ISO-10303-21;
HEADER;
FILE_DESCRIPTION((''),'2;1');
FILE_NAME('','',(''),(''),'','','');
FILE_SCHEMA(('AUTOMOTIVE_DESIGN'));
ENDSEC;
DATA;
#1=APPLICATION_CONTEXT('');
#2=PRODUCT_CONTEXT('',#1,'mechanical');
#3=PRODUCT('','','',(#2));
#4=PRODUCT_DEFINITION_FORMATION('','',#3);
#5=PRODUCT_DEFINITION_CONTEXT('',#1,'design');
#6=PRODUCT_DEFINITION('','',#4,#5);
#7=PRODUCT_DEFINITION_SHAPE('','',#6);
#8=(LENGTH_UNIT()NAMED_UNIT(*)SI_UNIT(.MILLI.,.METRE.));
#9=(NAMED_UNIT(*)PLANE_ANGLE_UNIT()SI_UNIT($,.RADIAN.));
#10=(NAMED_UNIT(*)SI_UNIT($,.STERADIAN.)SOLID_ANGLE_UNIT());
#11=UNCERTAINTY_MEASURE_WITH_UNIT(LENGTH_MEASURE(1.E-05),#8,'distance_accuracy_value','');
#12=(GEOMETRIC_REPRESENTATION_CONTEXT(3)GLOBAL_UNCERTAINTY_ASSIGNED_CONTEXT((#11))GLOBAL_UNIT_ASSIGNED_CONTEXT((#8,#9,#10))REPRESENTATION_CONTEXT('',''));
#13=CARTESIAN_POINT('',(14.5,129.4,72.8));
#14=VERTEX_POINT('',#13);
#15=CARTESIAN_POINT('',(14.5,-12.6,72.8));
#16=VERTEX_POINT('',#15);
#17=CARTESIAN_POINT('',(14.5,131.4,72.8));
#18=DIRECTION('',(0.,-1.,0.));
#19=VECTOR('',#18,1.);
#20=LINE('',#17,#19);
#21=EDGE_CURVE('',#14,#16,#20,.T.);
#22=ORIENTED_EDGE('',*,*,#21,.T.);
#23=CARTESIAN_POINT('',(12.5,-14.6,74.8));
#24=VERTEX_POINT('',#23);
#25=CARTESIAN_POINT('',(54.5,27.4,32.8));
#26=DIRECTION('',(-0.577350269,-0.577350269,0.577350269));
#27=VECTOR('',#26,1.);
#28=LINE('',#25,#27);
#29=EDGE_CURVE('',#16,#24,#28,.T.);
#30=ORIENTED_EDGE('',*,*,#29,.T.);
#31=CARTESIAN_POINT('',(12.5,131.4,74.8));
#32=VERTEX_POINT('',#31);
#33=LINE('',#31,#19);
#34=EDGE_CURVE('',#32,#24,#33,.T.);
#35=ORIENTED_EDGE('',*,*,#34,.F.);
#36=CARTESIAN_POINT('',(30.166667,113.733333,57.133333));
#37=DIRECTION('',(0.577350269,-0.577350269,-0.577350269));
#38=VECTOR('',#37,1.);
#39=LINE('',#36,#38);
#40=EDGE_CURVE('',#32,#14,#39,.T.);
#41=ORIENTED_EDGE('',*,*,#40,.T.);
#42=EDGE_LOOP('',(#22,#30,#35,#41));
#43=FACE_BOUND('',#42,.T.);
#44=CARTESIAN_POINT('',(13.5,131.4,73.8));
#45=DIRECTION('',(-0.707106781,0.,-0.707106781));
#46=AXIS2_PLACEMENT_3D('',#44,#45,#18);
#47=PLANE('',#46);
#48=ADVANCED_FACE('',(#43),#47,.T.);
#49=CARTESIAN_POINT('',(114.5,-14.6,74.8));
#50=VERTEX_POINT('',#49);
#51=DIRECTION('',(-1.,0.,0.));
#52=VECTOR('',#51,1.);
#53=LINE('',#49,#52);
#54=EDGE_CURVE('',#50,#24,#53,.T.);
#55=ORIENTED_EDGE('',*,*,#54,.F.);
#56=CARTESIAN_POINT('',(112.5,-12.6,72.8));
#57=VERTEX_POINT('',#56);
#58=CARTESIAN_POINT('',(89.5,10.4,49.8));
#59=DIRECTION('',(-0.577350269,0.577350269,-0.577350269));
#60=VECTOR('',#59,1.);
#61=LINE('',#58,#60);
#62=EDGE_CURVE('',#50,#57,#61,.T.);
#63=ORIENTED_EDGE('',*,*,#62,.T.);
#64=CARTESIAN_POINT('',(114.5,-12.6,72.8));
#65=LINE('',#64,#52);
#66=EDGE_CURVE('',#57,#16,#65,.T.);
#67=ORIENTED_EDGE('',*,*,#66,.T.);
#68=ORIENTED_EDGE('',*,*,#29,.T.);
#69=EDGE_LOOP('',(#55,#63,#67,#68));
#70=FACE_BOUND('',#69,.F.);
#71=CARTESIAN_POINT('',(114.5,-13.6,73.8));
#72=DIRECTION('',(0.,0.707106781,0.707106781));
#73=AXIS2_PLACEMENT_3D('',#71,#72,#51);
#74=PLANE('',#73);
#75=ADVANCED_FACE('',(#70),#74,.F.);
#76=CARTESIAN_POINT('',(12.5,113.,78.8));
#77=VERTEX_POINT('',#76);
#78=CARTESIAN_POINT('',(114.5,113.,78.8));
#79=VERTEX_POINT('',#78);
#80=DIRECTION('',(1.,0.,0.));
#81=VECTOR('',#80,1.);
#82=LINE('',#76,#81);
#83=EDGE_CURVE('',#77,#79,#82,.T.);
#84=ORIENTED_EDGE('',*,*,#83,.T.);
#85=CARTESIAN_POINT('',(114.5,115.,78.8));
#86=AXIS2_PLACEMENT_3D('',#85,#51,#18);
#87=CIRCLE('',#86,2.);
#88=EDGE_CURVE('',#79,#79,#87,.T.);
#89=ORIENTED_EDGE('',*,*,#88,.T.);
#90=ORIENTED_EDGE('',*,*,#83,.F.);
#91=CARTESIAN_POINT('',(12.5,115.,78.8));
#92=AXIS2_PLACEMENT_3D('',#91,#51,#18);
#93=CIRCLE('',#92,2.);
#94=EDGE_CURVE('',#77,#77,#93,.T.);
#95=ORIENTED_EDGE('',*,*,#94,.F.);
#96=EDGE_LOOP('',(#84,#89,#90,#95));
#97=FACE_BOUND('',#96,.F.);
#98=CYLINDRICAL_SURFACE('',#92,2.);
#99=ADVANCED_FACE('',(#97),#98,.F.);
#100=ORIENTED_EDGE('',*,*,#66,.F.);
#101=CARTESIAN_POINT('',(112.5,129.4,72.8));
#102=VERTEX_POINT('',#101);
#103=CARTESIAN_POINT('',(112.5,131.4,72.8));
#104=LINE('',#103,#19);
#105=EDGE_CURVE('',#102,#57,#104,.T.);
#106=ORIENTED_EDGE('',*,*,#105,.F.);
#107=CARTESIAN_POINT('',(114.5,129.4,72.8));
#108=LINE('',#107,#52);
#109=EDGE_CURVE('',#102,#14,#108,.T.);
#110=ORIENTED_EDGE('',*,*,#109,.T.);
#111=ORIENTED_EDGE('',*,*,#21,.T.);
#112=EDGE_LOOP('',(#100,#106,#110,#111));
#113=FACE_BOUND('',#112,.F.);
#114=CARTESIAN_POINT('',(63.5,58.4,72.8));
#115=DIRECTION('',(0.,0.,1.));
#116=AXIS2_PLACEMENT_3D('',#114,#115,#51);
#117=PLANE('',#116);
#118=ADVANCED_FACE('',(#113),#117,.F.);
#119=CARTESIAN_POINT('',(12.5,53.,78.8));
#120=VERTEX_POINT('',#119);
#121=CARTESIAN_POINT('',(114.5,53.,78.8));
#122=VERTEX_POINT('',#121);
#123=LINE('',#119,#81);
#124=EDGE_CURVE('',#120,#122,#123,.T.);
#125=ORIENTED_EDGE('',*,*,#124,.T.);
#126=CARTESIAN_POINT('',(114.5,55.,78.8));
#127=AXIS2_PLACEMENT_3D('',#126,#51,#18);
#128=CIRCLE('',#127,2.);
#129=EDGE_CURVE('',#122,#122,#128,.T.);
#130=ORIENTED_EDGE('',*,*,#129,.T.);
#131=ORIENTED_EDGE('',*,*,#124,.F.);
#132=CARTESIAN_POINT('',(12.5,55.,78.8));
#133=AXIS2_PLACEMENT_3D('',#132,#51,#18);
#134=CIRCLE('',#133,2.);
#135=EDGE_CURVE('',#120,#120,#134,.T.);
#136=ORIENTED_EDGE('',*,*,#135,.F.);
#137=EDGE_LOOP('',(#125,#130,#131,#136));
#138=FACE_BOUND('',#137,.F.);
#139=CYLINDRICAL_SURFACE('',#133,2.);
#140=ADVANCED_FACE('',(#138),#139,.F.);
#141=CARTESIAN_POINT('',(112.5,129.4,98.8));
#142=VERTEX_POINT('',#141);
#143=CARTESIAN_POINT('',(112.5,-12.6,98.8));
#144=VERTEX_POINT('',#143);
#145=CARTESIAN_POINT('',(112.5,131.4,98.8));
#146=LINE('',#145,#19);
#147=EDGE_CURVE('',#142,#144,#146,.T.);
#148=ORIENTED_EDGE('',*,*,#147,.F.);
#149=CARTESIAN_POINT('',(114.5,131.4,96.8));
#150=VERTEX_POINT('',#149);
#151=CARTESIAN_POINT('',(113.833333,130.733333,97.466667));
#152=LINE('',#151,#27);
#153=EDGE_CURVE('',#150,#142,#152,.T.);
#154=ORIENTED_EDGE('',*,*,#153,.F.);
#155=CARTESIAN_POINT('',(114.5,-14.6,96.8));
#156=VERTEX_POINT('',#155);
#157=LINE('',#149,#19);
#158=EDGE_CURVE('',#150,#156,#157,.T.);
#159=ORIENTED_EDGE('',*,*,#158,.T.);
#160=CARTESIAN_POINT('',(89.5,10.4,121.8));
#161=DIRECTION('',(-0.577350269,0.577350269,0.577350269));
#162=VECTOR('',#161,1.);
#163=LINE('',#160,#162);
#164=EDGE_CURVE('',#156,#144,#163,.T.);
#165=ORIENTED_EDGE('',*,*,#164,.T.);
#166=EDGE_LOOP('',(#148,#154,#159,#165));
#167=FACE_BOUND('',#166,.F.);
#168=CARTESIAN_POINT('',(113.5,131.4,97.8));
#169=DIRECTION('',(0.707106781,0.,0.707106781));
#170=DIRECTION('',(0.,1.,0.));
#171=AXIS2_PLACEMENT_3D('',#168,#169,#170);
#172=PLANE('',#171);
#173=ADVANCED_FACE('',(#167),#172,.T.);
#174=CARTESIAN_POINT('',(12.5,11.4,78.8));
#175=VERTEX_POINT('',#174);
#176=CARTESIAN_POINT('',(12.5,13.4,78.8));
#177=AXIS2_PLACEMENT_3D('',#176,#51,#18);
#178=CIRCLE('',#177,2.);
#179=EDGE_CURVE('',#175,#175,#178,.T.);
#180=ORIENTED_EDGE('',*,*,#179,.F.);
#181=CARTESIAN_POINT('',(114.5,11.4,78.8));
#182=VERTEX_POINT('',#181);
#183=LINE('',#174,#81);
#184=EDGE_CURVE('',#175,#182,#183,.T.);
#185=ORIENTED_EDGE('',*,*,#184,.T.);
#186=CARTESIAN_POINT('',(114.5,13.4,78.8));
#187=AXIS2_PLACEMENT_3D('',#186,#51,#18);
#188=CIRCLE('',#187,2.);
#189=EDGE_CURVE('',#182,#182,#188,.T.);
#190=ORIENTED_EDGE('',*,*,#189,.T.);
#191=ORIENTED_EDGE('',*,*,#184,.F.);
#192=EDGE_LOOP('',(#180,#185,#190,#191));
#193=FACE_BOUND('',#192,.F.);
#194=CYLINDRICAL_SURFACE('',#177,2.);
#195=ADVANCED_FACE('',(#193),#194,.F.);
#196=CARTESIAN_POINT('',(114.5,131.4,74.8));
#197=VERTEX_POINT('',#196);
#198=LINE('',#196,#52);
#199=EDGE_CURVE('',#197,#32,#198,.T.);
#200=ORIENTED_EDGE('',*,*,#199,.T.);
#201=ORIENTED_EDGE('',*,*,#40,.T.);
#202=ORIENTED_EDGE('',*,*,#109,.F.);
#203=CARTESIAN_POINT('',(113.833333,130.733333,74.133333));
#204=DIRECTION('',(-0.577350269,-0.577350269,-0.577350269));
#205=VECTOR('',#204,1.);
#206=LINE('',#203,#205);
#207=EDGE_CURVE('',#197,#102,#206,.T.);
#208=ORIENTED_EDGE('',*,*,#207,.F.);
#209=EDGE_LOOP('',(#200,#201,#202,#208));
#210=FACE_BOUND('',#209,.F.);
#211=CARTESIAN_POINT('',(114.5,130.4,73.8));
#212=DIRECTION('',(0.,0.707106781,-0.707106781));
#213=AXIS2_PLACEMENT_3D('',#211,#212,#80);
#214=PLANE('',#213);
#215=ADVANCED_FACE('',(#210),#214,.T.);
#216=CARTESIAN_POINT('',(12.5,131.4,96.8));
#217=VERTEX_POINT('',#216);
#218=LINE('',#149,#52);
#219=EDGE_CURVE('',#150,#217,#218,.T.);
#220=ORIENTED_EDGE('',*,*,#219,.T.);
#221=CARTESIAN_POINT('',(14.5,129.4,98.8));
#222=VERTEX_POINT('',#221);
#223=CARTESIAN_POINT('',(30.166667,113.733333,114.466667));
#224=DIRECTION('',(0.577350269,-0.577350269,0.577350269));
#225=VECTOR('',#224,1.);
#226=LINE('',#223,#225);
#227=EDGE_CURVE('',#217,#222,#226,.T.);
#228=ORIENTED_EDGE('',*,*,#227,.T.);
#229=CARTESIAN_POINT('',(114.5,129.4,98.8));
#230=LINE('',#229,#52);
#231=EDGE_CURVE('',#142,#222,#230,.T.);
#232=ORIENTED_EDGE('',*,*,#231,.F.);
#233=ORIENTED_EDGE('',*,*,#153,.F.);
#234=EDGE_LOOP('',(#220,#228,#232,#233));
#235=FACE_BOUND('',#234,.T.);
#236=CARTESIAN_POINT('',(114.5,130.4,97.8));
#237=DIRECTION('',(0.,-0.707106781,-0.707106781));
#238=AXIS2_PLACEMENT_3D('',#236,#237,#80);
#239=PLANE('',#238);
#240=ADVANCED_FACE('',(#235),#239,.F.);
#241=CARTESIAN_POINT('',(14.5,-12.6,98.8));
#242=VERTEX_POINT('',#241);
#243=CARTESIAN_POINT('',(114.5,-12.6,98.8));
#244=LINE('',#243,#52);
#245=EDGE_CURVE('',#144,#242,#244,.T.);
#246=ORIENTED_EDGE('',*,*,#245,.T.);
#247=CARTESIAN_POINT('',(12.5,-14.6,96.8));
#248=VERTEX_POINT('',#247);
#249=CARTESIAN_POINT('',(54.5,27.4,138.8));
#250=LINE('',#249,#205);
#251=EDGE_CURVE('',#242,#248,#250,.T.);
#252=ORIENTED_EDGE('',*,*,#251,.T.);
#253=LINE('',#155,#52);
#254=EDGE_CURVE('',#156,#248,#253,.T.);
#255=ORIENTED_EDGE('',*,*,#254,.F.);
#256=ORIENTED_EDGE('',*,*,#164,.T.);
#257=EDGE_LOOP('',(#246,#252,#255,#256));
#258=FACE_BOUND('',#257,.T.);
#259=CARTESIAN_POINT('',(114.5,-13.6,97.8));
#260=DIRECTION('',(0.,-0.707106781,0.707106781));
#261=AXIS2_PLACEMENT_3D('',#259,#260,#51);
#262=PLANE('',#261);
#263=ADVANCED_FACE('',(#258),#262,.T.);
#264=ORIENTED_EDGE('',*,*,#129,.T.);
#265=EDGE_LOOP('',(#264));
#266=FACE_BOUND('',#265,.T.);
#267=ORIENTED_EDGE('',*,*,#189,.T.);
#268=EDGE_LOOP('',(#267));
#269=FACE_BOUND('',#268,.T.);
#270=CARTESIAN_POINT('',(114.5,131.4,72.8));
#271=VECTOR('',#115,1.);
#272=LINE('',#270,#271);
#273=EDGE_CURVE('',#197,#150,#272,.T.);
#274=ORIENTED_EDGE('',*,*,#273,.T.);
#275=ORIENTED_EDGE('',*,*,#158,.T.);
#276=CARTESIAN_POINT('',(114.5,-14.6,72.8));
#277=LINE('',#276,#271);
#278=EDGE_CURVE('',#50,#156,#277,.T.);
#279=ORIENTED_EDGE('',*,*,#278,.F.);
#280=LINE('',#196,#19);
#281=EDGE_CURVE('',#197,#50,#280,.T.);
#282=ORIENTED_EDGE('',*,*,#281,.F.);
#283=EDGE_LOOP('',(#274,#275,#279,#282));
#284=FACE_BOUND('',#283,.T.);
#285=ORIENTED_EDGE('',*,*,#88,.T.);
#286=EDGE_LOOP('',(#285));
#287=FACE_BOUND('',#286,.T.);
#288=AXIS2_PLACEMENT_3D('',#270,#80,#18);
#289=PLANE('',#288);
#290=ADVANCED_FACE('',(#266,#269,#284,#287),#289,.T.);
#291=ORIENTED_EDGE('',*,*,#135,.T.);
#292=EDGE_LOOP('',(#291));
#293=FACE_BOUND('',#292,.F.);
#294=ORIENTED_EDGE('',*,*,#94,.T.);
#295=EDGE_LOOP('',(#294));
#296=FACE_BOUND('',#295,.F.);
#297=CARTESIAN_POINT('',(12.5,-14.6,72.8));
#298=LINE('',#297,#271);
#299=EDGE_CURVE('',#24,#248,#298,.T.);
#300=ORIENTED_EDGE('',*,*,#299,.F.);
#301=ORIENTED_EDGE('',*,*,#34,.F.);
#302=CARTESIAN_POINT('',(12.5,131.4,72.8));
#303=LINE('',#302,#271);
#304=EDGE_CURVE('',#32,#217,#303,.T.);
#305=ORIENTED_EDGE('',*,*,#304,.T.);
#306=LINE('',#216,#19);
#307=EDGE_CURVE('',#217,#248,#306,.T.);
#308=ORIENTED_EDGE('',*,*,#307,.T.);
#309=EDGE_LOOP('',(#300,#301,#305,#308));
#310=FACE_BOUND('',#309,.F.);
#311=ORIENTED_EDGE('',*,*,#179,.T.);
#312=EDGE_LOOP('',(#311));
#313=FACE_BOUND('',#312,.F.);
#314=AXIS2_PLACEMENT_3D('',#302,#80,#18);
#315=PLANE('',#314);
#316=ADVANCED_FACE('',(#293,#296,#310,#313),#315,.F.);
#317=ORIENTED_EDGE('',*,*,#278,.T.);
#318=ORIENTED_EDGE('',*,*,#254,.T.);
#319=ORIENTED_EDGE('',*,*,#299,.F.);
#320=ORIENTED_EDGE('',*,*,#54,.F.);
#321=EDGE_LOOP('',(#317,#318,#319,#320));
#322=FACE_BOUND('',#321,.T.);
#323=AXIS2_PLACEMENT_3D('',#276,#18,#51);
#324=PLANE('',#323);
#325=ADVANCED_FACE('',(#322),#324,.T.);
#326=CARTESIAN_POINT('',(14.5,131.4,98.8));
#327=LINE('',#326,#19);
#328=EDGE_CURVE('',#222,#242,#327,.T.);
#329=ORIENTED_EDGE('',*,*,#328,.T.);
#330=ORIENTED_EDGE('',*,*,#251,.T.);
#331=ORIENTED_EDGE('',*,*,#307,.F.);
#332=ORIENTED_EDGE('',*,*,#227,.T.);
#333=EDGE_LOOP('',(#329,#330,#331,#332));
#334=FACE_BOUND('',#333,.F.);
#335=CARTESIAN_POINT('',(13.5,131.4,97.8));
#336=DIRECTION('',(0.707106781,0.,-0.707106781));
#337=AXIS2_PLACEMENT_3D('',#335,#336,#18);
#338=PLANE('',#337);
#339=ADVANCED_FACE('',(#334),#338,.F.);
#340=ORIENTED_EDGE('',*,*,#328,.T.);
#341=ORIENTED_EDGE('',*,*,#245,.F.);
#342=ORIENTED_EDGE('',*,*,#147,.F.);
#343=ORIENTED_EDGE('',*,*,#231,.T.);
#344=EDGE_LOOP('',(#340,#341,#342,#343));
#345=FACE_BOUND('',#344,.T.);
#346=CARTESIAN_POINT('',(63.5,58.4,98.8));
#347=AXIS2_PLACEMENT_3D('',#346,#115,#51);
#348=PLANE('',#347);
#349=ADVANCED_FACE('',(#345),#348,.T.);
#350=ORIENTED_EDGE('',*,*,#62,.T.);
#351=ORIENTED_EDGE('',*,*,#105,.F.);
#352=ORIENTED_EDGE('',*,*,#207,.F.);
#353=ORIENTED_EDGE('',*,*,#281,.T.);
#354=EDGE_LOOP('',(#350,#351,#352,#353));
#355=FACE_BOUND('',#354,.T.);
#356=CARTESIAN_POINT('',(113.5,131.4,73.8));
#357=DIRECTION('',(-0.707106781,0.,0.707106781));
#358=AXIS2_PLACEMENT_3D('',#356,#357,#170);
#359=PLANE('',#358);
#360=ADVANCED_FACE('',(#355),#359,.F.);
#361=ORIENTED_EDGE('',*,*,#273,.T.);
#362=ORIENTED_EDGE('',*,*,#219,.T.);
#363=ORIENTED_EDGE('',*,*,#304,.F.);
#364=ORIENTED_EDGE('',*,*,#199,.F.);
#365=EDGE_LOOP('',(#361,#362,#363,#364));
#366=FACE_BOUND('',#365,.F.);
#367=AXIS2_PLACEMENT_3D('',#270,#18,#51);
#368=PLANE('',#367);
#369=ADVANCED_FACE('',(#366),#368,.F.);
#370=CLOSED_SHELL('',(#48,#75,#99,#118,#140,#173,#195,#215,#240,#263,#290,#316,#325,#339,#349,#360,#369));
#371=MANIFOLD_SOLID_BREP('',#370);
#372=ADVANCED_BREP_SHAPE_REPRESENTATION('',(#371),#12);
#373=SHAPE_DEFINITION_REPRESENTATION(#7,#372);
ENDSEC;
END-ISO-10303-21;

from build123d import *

# Parameters (mm, degrees)
SKETCH068_W             = 102
SKETCH068_H             = 146
PAD023_DEPTH            = 26
SKETCH069_R             = 2
POCKET045_DEPTH         = 102.001
CHAMFER004_SIZE         = 2
BODY019_PLACEMENT_ANGLE = 180


with BuildPart() as part:
    # Sketch068 → Pad023 (new body)
    with BuildSketch(Plane.XY):
        Rectangle(SKETCH068_W, SKETCH068_H)
    extrude(amount=PAD023_DEPTH)

    # Sketch069 (on Face3 of Pad023) → Pocket045 (cut, through all)
    with BuildSketch(Plane.YZ.offset(51)):
        with Locations((45, 6)):
            Circle(SKETCH069_R)
        with Locations((3.4, 6)):
            Circle(SKETCH069_R)
        with Locations((-56.6, 6)):
            Circle(SKETCH069_R)
    extrude(amount=-POCKET045_DEPTH, mode=Mode.SUBTRACT)

    # Chamfer004
    chamfer004_edges = [part.edges().sort_by_distance(p)[0] for p in [
        (-51, 0, 0),
        (0, -73, 0),
        (51, 0, 0),
        (0, 73, 0),
        (-51, 0, 26),
        (0, -73, 26),
        (51, 0, 26),
        (0, 73, 26),
    ]]
    chamfer(chamfer004_edges, length=CHAMFER004_SIZE)


with BuildPart() as part_1:
    # Body019 placement: moved
    add(part.part.moved(Location((63.5, 58.4, 72.8))).rotate(Axis((63.5, 58.4, 72.8), (0, 0, 1)), BODY019_PLACEMENT_ANGLE))


solid = part_1.part
